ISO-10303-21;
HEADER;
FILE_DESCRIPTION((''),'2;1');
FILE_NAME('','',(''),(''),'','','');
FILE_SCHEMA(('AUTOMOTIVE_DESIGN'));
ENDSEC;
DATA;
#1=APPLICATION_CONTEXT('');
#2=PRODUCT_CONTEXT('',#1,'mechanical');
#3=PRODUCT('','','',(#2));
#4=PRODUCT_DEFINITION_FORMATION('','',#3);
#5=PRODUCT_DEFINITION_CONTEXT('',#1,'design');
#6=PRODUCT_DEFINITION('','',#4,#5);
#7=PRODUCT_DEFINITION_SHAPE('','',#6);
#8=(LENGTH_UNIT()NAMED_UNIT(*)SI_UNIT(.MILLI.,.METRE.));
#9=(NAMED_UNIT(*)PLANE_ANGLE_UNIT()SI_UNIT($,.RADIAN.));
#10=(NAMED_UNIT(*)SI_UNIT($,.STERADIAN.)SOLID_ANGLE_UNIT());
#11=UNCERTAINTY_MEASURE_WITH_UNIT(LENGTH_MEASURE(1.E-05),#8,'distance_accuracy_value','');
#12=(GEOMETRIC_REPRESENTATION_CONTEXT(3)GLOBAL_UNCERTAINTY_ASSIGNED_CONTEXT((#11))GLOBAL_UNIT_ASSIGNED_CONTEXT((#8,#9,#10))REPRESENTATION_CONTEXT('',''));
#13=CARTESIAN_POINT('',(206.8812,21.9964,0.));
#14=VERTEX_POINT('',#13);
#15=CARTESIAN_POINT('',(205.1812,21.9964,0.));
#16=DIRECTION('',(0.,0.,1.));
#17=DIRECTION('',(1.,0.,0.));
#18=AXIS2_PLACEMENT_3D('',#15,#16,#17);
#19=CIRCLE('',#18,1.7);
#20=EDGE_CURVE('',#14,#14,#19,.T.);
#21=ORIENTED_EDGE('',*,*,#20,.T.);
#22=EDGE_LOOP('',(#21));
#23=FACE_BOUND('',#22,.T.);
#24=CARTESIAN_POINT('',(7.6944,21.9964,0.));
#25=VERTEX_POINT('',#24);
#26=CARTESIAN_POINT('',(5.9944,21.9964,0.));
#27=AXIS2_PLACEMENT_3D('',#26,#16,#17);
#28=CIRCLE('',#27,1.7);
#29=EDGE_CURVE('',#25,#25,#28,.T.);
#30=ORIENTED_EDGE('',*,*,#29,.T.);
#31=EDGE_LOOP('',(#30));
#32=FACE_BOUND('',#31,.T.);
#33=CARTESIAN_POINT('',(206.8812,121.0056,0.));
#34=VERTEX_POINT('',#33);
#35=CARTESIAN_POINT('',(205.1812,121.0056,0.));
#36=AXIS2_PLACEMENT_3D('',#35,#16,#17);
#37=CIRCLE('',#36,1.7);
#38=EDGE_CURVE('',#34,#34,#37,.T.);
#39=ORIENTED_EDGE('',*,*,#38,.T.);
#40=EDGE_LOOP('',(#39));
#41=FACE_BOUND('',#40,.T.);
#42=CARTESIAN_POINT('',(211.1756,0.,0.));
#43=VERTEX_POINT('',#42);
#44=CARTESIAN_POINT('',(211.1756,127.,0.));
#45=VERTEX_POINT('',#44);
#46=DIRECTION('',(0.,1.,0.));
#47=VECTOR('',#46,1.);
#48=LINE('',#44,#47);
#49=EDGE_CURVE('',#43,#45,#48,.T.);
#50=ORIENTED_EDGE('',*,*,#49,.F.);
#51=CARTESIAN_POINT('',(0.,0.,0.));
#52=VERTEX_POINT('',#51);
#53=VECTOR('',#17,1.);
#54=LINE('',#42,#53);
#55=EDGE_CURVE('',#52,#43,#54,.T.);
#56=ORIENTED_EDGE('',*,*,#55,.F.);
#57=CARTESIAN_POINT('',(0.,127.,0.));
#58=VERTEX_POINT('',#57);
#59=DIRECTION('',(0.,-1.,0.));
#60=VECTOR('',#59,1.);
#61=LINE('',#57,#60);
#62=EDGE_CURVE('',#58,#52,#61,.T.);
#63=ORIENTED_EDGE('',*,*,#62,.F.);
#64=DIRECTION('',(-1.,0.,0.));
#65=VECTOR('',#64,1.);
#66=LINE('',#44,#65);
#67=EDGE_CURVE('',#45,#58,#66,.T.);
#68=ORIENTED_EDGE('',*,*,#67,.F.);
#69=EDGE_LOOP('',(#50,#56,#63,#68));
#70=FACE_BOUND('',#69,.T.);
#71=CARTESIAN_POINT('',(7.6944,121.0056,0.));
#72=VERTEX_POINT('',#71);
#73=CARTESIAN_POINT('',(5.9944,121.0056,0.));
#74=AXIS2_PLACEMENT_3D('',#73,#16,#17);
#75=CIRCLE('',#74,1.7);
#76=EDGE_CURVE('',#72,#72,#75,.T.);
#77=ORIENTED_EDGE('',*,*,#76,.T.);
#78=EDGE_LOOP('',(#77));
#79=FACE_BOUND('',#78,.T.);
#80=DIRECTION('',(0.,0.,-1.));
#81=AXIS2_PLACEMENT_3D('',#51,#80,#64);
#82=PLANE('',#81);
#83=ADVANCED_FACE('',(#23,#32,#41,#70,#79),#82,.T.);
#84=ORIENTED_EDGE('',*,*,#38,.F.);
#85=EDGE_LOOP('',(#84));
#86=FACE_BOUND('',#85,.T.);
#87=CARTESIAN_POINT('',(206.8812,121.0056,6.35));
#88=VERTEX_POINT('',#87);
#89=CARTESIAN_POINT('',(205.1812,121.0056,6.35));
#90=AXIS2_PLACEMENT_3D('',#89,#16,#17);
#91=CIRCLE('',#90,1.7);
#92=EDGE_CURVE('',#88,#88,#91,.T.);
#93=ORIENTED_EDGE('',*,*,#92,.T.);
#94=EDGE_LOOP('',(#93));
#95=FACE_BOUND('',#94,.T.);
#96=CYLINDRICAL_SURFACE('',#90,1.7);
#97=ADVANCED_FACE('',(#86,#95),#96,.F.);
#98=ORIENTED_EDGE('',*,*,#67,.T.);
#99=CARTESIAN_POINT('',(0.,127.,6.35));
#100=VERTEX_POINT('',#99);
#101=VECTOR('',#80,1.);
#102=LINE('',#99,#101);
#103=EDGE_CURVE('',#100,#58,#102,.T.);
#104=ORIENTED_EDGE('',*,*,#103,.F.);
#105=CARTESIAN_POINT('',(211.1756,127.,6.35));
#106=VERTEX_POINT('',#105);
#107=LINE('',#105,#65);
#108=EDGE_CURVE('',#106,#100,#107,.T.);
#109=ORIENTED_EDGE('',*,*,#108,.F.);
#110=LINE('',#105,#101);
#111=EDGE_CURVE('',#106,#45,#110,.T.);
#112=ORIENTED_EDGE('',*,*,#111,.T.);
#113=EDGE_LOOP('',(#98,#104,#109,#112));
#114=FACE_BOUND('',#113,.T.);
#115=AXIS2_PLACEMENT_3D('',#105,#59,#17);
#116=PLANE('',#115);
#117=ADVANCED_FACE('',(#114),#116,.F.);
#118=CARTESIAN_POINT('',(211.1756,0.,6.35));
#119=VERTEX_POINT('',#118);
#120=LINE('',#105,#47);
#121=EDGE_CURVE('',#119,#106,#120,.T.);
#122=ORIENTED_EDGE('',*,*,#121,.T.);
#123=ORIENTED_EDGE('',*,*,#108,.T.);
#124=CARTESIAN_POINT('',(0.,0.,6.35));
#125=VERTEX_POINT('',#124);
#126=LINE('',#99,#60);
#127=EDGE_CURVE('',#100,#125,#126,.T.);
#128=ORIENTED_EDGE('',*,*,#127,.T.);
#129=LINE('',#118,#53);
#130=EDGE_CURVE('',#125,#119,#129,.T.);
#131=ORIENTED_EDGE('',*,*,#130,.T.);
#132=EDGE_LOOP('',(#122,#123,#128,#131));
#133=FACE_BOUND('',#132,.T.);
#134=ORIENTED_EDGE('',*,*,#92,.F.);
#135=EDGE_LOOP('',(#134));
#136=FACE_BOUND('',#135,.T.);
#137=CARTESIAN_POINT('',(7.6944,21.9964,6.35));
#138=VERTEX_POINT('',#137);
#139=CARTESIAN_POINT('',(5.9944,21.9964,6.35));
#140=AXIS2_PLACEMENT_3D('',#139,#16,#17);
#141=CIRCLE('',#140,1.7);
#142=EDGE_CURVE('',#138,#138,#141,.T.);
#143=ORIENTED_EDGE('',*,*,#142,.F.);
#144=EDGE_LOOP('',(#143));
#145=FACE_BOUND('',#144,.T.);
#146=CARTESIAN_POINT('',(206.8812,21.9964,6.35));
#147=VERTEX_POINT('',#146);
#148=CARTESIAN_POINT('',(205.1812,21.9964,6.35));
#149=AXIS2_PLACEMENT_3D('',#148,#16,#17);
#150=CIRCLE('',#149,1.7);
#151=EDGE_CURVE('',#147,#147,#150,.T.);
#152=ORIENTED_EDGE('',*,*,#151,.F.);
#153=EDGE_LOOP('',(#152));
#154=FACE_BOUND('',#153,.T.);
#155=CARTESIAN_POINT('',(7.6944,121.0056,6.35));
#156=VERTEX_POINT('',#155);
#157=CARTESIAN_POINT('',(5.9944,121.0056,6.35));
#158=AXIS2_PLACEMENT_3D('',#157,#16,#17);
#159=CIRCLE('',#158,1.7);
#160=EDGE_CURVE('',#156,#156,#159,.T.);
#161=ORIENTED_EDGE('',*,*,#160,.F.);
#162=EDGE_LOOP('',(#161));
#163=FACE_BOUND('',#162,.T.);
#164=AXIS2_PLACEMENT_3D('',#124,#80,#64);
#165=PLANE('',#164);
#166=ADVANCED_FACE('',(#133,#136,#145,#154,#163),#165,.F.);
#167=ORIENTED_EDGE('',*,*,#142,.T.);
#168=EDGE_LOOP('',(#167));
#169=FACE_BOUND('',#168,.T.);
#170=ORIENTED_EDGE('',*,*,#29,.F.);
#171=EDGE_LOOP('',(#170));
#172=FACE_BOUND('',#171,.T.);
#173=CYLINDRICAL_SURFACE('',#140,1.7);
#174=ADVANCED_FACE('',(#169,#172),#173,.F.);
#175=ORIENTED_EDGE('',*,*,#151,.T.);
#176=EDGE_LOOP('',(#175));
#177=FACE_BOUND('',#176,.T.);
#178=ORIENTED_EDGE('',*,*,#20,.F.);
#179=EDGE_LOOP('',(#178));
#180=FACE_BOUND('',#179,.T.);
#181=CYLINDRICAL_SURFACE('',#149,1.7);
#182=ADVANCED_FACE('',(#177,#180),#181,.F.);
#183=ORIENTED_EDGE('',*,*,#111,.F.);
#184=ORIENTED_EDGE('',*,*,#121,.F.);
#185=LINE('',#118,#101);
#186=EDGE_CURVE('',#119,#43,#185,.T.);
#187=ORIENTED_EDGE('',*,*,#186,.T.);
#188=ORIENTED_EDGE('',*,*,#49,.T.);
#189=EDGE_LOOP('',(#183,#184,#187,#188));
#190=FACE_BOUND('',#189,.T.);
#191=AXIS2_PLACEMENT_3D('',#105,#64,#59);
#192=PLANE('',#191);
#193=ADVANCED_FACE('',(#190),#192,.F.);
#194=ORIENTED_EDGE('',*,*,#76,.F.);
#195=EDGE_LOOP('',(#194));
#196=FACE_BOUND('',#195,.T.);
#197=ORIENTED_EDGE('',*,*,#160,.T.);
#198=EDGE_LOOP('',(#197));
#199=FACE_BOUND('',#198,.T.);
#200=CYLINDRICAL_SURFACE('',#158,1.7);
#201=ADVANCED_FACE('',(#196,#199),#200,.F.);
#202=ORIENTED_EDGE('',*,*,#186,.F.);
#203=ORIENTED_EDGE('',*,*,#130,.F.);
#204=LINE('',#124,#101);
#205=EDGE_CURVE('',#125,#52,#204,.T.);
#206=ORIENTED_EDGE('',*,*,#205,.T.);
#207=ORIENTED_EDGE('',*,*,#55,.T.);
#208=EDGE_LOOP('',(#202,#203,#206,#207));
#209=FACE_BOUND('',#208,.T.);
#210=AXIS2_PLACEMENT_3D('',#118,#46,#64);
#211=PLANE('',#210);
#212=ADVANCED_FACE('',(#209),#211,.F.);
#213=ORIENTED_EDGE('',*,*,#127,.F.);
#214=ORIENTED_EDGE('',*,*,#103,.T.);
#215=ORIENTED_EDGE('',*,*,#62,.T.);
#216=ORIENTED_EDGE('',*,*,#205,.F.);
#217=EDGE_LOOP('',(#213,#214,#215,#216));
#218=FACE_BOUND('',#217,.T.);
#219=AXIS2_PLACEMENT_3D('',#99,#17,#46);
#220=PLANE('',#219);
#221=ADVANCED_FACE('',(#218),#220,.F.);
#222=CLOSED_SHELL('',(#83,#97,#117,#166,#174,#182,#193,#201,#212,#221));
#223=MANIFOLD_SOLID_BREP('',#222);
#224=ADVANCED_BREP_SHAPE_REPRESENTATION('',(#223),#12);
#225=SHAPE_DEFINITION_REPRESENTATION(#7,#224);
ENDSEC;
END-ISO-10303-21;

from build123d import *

# Parameters (mm, degrees)
SKETCH1_W            = 211.1756
SKETCH1_H            = 127
BOSS_EXTRUDE1_DEPTH  = 6.35
M3_CLEARANCE_HOLE1_D = 3.4


with BuildPart() as part:
    # Sketch1 → Boss-Extrude1 (new body)
    with BuildSketch(Plane.XY):
        with Locations((105.5878, 63.5)):
            Rectangle(SKETCH1_W, SKETCH1_H)
    extrude(amount=BOSS_EXTRUDE1_DEPTH)

    # M3 Clearance Hole1 (through all)
    with Locations(Plane.XY.offset(6.35)):
        with Locations((5.9944, 121.0056), (5.9944, 21.9964), (205.1812, 21.9964), (205.1812, 121.0056)):
            Hole(M3_CLEARANCE_HOLE1_D / 2)


solid = part.part
